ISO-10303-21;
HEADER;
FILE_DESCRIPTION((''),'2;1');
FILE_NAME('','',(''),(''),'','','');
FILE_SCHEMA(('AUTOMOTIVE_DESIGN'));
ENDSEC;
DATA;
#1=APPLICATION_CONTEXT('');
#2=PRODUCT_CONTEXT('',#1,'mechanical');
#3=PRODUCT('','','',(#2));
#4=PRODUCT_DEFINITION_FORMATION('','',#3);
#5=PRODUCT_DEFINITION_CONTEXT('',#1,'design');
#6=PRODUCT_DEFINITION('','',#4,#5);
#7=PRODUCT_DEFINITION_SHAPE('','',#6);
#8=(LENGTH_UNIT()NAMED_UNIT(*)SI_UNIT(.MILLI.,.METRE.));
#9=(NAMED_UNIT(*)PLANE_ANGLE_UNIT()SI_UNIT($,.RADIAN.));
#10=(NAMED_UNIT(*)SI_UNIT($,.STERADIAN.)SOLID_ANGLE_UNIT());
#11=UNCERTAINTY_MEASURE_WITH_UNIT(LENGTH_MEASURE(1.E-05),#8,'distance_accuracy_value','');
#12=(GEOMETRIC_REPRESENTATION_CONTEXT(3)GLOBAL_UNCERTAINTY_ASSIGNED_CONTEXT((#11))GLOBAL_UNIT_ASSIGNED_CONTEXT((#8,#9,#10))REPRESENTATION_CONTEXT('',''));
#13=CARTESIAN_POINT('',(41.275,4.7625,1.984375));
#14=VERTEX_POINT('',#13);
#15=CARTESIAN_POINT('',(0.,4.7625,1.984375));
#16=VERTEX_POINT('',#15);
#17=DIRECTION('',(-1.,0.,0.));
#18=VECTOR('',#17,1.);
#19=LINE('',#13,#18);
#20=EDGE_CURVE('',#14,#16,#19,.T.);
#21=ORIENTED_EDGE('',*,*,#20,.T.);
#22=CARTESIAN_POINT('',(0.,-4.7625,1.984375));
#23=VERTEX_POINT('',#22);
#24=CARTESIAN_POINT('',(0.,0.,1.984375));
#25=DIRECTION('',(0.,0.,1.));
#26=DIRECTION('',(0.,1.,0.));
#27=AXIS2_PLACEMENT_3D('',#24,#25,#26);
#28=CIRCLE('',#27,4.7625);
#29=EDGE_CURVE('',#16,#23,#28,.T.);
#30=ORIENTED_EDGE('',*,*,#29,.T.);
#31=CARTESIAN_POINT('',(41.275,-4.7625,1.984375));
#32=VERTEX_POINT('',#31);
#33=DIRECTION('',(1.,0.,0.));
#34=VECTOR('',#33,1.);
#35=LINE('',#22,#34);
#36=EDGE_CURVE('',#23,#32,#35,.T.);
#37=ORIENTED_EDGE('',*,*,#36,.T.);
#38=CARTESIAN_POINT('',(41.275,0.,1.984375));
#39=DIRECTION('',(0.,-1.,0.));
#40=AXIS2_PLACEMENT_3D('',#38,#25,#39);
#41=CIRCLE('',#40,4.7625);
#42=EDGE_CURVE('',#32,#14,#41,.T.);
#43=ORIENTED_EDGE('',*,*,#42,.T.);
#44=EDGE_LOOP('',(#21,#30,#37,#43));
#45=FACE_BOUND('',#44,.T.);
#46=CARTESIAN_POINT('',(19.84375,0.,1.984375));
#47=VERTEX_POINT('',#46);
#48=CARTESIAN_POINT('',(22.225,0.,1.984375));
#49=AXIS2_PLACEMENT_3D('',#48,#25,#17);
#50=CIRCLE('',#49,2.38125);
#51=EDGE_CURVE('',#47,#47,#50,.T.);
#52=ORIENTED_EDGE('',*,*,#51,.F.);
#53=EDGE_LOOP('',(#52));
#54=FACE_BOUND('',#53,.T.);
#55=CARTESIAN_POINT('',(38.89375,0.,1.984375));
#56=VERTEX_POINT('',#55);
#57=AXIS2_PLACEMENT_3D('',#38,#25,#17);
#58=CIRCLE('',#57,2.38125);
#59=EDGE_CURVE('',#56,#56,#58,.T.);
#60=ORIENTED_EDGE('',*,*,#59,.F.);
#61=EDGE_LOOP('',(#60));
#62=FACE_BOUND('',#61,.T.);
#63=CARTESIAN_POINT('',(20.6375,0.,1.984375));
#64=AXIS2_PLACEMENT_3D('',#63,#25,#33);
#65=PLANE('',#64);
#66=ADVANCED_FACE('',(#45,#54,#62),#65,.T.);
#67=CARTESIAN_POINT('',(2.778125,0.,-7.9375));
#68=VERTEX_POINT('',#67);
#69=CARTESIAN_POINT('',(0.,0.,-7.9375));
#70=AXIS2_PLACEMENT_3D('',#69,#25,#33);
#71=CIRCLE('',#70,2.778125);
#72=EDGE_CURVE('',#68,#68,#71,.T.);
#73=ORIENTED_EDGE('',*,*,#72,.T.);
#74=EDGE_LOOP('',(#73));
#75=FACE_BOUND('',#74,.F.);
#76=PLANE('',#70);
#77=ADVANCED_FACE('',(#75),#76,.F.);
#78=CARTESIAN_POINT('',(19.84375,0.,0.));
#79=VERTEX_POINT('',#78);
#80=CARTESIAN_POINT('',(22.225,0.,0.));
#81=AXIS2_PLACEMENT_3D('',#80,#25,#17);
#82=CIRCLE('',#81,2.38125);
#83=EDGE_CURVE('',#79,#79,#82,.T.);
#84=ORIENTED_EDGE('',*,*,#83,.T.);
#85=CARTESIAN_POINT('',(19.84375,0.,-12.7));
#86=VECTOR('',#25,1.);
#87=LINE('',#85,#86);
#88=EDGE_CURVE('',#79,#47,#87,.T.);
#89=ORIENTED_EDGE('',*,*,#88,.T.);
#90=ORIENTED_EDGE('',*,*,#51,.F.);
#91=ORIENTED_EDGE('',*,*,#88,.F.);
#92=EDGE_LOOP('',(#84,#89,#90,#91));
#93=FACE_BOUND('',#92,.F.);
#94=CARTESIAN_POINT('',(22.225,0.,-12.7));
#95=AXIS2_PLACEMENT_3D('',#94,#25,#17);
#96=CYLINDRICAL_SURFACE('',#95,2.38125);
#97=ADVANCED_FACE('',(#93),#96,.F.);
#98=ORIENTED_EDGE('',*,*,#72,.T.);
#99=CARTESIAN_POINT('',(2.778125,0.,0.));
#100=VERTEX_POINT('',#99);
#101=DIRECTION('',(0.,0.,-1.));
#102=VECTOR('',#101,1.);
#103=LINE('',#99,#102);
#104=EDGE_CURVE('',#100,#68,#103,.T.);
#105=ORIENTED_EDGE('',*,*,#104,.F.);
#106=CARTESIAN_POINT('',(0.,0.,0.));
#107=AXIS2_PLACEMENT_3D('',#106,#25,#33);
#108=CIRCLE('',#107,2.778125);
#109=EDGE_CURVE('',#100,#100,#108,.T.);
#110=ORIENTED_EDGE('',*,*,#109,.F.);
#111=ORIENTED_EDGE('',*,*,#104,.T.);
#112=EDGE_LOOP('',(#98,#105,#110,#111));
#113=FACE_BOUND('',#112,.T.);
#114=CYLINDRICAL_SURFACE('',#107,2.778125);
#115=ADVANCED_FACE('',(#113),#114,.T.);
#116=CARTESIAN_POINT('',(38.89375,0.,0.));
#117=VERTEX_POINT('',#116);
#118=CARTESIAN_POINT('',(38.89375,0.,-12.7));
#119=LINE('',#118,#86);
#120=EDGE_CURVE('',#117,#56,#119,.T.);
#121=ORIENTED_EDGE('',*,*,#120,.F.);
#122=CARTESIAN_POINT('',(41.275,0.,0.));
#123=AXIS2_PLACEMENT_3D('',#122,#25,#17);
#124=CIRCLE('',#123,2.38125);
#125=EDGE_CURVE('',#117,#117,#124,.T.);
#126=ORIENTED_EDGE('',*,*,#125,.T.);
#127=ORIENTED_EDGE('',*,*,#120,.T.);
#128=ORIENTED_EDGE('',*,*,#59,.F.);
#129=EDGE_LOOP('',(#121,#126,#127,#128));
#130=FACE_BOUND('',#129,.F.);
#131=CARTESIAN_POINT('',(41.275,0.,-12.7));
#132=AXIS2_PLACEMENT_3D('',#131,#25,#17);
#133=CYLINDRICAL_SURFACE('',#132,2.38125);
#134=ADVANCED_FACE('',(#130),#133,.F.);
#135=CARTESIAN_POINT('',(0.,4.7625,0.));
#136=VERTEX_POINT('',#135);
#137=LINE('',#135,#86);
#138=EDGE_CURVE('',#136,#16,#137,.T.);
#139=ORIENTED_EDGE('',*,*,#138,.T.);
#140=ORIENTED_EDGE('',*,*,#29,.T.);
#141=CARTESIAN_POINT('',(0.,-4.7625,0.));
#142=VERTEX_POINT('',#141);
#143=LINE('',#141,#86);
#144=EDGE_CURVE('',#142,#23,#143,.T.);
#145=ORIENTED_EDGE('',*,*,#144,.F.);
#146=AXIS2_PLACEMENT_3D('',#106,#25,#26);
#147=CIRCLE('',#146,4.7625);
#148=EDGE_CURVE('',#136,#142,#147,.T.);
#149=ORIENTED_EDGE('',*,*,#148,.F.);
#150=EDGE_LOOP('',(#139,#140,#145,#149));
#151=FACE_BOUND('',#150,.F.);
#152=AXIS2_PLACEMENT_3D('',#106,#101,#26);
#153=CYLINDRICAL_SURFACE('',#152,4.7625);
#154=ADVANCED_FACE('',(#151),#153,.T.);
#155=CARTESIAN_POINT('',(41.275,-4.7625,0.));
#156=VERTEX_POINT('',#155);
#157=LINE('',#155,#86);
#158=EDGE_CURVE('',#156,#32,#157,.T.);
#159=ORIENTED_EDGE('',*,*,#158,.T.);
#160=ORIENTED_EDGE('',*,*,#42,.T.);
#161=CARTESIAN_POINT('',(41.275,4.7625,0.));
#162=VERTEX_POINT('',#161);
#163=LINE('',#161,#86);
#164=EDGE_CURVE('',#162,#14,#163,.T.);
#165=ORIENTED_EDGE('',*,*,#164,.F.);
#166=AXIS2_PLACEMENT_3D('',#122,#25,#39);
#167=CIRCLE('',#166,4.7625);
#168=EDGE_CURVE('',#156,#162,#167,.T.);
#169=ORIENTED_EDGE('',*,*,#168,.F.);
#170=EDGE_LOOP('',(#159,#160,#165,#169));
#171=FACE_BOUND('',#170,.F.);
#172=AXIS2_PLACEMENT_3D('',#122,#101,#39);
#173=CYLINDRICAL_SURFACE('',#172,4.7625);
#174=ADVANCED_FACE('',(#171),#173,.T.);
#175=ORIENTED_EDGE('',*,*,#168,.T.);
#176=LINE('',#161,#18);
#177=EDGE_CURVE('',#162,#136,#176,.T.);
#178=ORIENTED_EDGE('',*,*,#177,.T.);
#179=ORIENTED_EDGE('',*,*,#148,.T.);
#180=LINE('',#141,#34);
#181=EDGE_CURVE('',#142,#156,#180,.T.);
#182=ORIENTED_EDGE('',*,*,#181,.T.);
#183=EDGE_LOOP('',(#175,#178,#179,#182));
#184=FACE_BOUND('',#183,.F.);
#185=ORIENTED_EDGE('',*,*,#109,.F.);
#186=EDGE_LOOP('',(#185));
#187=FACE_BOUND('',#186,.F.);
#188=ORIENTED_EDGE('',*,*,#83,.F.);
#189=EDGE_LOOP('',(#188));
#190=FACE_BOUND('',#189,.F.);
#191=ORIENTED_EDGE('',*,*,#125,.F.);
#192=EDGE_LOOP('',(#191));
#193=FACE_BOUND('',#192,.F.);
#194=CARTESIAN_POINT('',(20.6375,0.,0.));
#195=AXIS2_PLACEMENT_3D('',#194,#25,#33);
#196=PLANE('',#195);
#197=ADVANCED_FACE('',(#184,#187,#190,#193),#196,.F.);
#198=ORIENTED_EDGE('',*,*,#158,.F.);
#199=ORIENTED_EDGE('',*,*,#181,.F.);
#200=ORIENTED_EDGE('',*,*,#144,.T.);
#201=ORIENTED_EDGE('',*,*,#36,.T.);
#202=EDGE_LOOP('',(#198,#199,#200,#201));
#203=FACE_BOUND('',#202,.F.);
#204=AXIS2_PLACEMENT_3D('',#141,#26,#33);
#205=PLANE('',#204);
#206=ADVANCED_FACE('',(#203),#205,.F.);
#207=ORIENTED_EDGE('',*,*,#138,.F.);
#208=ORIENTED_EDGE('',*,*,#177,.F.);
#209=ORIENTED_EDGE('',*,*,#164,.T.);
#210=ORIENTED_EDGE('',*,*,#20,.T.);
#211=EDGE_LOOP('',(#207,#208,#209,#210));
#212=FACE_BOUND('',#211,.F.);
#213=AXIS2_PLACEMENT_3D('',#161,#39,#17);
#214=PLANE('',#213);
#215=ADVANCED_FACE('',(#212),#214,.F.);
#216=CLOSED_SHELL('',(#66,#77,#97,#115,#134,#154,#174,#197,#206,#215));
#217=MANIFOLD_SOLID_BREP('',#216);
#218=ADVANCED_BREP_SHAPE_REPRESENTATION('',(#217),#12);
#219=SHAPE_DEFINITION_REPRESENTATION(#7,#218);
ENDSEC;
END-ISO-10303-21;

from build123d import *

# Parameters (mm, degrees)
F0_R     = 2.778125
F1_DEPTH = 1.984375
F2_DEPTH = 7.9375
F3_D     = 4.7625
F3_DEPTH = 12.7


with BuildPart() as f1:
    # F0 (on Top) → F1 (new body)
    with BuildSketch(Plane.XY):
        with BuildLine():
            Line((41.275, 4.7625), (0, 4.7625))
            ThreePointArc((0, 4.7625), (-4.7625, 0), (0, -4.7625))
            Line((0, -4.7625), (41.275, -4.7625))
            ThreePointArc((41.275, -4.7625), (46.0375, 0), (41.275, 4.7625))
        make_face()
        Circle(F0_R, mode=Mode.SUBTRACT)
        Circle(F0_R)
    extrude(amount=F1_DEPTH)

    # F0 (on Top) → F2 (join)
    with BuildSketch(Plane.XY):
        Circle(F0_R)
    extrude(amount=-F2_DEPTH)

    # F3
    with Locations(Plane(origin=(0, 0, 0), x_dir=(1, 0, 0), z_dir=(0, 0, -1))):
        with Locations((22.225, 0), (41.275, 0)):
            Hole(F3_D / 2, depth=F3_DEPTH)


solid = f1.part
